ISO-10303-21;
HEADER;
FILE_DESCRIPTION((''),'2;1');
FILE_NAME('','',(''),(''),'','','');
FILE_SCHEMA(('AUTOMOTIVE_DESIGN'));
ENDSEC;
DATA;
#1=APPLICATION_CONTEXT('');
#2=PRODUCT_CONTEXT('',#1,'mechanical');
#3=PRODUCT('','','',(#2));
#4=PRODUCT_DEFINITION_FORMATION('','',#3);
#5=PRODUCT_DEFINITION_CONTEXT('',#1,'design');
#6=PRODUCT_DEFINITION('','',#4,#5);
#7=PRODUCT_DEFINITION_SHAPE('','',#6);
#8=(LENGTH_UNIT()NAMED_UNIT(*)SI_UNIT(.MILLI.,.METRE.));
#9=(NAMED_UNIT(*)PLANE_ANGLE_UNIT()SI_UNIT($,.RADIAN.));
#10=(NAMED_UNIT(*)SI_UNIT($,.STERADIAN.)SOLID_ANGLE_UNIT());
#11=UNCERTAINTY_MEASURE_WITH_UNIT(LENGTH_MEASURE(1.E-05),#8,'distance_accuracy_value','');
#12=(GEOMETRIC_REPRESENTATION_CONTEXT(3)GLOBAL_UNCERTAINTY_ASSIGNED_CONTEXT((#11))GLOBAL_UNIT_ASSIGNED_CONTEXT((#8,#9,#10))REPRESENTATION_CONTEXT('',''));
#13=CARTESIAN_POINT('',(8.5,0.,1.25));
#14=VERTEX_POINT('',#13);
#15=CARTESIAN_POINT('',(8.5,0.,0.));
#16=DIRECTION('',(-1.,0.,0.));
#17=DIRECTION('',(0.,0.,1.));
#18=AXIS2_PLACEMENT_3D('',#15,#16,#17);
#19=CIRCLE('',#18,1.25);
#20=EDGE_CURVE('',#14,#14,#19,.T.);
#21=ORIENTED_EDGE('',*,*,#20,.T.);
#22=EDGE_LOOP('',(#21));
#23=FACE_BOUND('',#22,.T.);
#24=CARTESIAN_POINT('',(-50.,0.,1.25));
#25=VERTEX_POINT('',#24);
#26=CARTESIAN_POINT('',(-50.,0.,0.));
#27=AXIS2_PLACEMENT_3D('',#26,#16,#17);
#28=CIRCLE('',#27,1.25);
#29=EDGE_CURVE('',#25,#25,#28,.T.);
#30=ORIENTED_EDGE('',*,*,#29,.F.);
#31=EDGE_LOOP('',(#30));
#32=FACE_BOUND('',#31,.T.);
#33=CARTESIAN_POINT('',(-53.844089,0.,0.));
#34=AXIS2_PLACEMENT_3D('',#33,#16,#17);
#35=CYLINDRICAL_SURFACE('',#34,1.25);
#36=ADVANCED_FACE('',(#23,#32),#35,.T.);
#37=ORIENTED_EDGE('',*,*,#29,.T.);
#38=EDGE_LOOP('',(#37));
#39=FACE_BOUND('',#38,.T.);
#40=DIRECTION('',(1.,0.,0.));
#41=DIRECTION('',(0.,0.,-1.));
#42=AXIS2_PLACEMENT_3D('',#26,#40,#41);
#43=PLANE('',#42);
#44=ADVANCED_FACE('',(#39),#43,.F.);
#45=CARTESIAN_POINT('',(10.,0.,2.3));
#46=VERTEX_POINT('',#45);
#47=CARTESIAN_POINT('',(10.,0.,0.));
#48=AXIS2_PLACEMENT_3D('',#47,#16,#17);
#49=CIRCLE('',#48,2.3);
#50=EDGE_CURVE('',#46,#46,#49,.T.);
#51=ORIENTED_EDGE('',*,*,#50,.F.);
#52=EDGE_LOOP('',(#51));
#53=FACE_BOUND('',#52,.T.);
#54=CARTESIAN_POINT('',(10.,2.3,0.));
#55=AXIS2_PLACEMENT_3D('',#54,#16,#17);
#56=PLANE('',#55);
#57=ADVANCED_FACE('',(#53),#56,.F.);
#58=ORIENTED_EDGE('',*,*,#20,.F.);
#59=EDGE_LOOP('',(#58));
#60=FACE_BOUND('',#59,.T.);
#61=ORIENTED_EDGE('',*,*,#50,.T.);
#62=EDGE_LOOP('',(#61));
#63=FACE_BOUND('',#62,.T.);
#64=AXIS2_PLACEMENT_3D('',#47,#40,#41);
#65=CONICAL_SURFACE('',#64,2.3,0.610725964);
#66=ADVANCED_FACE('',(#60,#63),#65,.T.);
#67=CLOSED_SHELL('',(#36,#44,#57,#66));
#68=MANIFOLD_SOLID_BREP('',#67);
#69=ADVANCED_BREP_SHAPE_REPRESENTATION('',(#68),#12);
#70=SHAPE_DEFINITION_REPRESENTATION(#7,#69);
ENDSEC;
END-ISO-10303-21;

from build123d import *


with BuildPart() as part:
    # 草图1 → 旋转1 (revolve)
    with BuildSketch(Plane.XY):
        Polygon((-50, 0), (-50, 1.25), (8.5, 1.25), (10, 2.3), (10, 0), align=None)
    revolve(axis=Axis((-53.844089168, 0, 0), (1, 0, 0)))


solid = part.part
